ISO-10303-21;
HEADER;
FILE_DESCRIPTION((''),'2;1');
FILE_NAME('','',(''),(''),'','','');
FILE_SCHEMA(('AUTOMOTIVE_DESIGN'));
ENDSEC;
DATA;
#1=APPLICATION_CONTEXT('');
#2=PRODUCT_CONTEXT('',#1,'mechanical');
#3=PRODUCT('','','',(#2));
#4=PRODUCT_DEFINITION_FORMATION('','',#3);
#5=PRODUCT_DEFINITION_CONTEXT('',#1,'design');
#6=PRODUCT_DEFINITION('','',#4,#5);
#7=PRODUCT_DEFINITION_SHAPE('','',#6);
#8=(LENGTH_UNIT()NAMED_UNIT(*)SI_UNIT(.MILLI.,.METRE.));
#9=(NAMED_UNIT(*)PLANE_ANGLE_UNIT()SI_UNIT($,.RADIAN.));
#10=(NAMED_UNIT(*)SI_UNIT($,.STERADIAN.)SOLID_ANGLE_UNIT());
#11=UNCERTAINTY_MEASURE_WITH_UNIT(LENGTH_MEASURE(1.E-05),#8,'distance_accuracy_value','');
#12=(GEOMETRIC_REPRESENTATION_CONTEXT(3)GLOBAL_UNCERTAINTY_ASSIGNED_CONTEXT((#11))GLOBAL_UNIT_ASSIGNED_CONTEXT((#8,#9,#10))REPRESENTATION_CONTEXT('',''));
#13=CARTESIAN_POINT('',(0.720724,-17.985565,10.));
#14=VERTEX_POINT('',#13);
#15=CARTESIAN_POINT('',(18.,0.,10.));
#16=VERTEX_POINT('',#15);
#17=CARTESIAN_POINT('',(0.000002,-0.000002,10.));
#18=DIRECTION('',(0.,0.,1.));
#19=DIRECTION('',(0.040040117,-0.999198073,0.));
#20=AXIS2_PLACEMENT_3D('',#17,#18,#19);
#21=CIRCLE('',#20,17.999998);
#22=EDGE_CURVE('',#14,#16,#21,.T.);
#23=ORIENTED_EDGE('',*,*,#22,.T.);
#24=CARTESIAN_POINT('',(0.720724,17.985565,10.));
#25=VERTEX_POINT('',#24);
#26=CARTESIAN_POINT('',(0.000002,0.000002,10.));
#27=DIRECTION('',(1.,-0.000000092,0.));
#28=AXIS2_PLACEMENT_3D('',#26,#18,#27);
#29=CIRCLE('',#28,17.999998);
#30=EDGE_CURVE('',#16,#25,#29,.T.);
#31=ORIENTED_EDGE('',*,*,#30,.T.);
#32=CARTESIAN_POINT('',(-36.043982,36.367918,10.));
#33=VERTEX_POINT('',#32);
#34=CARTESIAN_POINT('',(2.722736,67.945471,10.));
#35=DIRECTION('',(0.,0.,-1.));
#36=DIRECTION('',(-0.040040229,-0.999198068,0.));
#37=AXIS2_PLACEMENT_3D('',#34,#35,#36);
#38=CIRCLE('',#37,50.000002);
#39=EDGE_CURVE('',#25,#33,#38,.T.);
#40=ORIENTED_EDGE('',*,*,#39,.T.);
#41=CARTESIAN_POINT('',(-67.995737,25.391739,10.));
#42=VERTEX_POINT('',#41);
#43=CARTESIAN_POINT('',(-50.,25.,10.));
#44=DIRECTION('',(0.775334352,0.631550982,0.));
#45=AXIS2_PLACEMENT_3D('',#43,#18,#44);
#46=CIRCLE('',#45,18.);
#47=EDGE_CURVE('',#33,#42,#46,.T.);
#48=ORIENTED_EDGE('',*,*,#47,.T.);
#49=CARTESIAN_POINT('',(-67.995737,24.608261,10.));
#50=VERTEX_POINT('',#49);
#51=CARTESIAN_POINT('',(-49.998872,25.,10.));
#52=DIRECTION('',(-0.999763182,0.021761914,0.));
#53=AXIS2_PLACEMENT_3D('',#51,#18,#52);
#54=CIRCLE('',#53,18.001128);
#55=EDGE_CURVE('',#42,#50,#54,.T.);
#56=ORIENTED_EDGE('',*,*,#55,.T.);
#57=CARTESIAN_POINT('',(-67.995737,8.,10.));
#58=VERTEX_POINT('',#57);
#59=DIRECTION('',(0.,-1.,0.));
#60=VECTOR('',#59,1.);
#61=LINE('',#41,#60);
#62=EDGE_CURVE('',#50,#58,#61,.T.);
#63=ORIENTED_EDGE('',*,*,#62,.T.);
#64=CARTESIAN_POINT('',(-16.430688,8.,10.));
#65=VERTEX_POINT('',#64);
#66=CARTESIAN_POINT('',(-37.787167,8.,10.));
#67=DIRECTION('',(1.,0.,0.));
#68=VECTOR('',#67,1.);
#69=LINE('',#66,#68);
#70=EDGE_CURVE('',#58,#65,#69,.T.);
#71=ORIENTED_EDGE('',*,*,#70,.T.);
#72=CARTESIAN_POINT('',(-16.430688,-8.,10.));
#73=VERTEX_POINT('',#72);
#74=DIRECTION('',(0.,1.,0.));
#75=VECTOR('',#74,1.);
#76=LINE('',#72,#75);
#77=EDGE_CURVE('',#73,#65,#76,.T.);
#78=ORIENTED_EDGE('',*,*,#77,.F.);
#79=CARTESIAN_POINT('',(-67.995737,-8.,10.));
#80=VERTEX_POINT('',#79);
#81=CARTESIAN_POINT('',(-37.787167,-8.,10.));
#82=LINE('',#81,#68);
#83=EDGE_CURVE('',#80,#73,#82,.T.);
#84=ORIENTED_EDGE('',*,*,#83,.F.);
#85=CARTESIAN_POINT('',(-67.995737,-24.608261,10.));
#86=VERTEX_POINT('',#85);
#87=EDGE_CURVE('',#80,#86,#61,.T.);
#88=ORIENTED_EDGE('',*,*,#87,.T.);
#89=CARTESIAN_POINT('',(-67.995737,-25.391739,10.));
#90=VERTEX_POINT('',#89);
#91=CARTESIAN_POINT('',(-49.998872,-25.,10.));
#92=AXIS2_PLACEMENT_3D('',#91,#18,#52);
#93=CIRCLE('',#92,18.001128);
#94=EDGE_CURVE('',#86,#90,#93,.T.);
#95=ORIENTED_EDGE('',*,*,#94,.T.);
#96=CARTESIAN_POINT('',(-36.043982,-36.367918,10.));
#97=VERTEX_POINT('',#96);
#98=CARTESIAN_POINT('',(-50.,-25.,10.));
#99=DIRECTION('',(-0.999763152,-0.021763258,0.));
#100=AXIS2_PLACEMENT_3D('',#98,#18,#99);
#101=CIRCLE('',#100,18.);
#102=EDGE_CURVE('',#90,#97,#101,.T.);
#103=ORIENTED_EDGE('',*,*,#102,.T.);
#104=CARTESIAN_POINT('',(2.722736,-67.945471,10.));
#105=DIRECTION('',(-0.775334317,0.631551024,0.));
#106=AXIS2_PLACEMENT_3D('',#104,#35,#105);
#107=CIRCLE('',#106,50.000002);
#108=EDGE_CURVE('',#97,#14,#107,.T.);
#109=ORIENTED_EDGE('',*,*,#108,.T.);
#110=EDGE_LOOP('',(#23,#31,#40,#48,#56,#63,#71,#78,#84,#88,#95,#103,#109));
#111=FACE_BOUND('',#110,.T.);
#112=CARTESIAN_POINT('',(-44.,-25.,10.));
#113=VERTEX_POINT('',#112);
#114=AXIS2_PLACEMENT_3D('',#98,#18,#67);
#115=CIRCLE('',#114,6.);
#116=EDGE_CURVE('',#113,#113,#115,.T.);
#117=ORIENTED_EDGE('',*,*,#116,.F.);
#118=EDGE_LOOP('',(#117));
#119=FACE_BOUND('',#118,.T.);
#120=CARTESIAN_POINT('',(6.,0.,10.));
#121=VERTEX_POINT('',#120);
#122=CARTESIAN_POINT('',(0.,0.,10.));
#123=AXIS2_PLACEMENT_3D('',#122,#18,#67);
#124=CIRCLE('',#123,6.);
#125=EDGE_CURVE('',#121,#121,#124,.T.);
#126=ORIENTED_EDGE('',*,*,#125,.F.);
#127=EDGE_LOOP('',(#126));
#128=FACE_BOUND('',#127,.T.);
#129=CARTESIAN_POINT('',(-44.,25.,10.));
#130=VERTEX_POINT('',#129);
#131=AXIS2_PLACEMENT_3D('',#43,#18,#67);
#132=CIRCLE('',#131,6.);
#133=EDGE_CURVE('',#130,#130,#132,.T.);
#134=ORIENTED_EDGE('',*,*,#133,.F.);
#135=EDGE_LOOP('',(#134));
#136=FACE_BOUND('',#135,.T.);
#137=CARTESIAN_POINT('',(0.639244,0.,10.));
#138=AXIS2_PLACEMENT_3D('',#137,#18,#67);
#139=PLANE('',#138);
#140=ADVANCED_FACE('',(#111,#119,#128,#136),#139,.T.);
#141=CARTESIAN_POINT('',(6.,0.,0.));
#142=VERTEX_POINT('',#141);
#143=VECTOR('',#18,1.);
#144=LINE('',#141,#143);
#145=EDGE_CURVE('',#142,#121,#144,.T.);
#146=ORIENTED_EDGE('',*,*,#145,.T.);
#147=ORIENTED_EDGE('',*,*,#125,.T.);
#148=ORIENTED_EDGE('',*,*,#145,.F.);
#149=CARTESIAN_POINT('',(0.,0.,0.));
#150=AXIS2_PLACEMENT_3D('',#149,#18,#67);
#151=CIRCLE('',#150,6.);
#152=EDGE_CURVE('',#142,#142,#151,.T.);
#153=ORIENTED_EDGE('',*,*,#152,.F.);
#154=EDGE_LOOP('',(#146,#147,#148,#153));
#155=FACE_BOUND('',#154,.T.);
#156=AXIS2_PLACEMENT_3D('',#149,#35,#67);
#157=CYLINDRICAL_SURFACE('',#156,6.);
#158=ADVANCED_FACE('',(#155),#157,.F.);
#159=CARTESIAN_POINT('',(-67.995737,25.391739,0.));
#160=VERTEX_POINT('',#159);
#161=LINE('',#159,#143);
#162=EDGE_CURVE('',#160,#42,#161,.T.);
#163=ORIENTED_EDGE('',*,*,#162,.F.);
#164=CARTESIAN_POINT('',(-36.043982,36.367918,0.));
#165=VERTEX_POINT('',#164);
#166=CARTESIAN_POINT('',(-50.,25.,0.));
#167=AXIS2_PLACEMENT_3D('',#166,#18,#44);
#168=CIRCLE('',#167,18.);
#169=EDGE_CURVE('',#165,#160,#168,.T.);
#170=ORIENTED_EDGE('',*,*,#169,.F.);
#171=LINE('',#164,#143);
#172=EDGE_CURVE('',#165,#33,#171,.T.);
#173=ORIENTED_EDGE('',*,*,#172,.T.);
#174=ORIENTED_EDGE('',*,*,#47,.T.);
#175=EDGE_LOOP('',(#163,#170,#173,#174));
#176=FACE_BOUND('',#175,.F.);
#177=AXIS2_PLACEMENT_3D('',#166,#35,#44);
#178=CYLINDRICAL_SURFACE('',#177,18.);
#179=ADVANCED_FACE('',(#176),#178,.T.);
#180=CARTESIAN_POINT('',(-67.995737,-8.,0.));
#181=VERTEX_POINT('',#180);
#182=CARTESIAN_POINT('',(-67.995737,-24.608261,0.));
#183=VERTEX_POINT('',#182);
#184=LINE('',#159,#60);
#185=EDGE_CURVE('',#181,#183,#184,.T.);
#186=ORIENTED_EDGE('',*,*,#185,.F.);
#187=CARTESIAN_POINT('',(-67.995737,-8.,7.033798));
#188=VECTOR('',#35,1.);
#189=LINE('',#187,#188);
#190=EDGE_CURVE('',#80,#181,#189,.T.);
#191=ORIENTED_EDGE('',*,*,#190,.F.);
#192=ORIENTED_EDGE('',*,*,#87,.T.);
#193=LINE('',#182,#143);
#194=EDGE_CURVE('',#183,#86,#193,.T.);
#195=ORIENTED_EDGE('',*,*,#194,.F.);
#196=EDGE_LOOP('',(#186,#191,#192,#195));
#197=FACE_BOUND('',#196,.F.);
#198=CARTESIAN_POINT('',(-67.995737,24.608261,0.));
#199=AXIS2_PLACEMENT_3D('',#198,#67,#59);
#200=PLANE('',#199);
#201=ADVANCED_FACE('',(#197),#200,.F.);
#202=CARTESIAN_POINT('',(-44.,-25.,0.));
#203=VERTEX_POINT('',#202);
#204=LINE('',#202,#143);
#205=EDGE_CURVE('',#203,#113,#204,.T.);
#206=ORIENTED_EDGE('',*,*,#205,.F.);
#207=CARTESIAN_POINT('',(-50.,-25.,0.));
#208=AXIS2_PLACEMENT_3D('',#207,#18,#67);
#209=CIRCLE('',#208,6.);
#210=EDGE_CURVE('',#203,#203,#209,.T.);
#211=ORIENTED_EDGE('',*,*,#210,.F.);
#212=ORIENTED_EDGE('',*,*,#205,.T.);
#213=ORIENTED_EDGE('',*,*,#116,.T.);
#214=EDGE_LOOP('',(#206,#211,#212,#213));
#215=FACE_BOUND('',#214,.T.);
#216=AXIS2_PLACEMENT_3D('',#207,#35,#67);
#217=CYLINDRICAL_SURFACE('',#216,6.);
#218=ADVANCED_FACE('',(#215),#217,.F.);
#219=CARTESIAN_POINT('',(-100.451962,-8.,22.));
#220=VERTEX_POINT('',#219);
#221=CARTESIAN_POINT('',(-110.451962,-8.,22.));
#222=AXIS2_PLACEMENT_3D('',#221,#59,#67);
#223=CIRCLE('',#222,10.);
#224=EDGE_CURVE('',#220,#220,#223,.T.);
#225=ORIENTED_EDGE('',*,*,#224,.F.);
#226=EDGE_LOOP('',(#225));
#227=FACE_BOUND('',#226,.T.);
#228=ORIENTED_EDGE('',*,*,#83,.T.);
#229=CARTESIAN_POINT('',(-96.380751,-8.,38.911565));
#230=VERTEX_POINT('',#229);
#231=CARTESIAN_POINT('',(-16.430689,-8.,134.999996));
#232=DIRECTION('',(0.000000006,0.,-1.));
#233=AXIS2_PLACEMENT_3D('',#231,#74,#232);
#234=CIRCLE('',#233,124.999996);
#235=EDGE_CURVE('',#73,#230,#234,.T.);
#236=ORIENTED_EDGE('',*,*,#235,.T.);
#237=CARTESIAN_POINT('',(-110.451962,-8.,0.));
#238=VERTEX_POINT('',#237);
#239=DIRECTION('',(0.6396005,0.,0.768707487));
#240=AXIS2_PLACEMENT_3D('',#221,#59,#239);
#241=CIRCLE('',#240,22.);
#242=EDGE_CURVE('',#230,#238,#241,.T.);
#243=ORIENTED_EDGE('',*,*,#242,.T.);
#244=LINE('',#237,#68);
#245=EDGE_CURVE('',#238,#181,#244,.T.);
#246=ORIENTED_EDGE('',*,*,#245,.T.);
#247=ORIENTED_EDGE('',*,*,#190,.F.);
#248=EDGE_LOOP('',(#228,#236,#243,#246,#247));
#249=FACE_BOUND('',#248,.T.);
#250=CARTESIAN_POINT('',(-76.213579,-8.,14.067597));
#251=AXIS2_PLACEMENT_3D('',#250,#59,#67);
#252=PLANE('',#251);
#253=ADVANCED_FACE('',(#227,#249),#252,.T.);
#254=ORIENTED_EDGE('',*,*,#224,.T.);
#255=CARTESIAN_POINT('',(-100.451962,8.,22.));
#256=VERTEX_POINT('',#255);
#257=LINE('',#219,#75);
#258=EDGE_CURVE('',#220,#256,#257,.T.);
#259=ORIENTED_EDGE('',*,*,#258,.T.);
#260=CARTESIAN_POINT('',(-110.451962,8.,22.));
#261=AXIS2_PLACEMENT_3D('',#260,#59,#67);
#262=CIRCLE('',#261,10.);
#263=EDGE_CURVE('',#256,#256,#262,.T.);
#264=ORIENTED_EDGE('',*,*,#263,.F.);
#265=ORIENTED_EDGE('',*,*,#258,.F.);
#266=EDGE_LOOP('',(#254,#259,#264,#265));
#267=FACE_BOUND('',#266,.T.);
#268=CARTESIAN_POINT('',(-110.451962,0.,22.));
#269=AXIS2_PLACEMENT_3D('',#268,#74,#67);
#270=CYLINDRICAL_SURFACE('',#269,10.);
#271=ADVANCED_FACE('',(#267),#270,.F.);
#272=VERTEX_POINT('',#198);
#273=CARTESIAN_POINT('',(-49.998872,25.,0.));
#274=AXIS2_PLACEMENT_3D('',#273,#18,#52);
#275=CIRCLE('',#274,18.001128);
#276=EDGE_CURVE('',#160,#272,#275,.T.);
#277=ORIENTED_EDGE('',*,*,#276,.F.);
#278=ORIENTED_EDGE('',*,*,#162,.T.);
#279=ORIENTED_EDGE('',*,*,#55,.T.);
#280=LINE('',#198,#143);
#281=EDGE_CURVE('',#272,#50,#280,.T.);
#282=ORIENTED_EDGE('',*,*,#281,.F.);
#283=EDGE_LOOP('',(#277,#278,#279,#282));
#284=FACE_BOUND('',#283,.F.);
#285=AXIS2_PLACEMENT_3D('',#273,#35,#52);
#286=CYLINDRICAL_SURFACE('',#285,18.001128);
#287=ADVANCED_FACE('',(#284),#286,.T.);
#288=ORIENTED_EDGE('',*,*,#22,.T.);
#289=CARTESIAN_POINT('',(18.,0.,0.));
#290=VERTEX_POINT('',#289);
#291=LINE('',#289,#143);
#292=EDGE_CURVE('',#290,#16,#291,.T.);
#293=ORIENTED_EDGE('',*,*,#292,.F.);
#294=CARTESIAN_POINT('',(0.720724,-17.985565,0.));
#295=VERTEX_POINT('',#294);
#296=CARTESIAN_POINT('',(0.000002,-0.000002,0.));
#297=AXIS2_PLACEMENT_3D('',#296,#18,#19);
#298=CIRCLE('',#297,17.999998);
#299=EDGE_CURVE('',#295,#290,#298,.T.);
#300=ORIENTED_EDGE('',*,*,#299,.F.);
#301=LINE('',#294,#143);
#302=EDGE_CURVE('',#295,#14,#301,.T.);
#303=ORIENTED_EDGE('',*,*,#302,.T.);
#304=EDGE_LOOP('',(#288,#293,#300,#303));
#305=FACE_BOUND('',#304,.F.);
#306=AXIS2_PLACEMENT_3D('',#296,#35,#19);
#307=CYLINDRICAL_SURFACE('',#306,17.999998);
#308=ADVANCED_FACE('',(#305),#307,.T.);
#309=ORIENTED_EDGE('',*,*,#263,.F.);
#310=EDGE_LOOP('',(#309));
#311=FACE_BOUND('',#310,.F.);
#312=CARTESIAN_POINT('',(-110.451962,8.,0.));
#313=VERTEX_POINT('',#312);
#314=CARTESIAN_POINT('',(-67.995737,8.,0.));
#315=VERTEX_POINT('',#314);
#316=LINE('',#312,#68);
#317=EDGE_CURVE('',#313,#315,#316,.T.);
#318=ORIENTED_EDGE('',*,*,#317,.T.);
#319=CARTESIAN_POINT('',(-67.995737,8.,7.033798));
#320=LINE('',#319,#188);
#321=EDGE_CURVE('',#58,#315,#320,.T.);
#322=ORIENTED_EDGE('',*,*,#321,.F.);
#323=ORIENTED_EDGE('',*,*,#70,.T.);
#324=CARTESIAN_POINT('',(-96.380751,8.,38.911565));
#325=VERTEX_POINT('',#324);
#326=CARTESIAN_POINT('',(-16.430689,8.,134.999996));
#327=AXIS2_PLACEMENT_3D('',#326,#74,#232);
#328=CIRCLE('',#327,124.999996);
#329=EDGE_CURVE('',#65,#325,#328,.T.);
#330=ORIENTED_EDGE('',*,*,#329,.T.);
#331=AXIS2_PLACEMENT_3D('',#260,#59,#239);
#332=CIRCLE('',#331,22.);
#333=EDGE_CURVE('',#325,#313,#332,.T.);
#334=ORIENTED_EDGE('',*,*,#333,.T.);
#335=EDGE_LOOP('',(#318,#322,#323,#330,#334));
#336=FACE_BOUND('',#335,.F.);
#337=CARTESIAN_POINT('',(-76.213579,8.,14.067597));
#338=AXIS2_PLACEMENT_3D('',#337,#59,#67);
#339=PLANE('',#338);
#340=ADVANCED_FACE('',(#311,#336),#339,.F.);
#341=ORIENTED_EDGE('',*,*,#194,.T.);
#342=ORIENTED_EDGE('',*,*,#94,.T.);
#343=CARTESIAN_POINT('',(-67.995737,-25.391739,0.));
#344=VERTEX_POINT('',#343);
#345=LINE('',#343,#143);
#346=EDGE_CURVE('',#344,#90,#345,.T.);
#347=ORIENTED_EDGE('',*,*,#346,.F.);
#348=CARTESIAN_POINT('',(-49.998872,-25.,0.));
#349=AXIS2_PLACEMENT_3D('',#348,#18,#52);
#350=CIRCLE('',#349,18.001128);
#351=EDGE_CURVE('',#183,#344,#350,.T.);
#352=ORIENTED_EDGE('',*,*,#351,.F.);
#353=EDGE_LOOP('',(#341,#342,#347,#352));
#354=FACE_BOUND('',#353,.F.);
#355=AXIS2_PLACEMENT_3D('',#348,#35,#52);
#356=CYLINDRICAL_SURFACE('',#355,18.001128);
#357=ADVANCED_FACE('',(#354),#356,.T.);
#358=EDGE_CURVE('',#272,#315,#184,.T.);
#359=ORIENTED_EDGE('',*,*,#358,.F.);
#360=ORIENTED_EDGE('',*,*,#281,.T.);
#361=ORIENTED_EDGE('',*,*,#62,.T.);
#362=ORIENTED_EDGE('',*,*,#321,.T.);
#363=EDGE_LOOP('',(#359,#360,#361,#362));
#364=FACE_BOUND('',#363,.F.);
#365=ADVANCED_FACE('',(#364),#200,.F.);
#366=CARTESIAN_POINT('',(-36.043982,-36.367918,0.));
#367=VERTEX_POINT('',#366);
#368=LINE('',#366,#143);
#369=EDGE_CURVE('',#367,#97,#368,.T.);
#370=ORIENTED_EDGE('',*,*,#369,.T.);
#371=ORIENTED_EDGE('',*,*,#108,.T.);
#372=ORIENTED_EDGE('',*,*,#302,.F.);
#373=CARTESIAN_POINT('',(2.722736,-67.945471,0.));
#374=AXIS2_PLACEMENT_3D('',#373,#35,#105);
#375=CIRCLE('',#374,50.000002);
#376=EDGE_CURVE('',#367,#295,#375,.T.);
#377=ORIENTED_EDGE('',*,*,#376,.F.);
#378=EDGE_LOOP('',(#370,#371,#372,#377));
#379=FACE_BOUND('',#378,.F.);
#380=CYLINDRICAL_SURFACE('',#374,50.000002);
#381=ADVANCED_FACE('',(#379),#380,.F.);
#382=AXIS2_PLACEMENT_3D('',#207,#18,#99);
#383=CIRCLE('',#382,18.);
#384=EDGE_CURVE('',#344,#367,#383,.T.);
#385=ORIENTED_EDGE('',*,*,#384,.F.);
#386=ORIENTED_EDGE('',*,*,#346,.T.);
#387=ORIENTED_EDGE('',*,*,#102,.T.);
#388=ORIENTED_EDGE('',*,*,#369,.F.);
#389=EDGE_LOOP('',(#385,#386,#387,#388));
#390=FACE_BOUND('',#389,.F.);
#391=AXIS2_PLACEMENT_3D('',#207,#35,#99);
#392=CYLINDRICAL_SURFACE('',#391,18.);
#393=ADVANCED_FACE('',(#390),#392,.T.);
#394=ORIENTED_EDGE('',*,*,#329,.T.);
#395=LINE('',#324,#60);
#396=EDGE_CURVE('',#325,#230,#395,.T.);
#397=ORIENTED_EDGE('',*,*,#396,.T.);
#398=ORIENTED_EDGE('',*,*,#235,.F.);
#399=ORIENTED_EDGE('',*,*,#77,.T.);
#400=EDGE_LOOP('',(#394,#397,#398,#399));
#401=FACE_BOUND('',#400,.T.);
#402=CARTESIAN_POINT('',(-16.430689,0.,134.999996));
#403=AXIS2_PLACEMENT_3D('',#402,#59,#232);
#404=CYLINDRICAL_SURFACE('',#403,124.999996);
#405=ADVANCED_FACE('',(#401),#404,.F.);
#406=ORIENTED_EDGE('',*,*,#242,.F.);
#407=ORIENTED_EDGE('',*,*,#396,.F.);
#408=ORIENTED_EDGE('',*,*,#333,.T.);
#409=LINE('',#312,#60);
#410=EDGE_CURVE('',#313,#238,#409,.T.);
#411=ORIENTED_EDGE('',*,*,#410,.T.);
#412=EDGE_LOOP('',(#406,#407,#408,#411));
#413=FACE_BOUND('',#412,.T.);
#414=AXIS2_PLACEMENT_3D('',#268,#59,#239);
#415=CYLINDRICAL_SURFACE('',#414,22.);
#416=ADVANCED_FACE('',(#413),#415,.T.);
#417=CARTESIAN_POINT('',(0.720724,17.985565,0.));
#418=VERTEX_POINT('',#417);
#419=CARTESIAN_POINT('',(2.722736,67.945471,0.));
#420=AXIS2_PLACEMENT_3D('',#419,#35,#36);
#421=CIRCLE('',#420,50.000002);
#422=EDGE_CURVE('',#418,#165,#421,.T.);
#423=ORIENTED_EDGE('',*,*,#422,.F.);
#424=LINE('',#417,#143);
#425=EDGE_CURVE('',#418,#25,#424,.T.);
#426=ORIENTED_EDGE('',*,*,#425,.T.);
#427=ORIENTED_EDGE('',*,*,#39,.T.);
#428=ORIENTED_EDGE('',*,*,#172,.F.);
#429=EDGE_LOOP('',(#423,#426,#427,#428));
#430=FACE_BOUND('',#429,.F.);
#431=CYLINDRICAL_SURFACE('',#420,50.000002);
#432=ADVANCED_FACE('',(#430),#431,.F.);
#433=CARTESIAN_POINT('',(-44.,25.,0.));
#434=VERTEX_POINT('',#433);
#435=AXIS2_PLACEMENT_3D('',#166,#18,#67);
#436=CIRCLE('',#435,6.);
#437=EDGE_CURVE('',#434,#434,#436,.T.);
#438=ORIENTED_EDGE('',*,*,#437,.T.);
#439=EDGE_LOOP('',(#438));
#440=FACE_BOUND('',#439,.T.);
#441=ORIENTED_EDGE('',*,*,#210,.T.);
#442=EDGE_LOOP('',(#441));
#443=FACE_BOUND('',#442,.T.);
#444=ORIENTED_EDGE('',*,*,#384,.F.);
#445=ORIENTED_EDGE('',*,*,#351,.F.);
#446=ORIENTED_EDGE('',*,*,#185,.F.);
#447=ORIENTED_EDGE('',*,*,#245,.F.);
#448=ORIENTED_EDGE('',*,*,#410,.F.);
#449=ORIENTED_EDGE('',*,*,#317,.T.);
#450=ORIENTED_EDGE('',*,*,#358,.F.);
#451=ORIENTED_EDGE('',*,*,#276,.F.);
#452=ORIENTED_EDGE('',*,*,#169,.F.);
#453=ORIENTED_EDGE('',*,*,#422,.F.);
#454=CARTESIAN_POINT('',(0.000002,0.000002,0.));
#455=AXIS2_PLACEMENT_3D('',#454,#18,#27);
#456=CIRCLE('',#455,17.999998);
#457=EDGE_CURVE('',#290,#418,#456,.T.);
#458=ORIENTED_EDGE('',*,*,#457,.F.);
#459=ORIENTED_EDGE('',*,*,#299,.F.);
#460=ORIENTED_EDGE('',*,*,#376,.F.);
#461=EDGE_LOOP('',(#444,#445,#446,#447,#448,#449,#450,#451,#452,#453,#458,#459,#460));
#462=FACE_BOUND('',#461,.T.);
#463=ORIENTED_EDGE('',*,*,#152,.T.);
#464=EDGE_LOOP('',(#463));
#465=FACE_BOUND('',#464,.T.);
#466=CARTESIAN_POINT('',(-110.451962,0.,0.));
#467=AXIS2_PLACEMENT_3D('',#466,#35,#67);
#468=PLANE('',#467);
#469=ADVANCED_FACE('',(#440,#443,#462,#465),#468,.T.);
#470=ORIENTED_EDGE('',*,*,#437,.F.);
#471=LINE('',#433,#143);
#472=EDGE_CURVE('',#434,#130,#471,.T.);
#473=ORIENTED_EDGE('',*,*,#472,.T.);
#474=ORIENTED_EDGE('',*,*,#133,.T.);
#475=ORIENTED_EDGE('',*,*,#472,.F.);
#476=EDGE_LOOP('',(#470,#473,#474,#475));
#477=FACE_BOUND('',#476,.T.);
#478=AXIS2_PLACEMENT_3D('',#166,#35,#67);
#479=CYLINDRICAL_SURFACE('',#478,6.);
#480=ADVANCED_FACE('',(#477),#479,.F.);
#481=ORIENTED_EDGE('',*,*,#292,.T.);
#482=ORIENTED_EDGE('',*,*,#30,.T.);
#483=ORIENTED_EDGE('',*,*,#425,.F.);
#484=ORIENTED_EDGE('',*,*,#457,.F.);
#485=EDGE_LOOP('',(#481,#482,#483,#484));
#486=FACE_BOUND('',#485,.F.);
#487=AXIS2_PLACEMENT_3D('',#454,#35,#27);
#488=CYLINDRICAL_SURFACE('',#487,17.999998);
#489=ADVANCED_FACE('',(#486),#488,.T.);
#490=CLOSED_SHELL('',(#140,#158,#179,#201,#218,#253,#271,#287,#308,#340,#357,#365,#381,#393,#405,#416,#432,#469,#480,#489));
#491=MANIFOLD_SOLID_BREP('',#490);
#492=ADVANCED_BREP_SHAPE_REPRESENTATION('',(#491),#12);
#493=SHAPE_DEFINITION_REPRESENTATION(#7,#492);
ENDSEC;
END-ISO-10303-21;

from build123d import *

# Parameters (mm, degrees)
F0_R     = 6
F1_DEPTH = 10
F2_R     = 10
F3_DEPTH = 8


with BuildPart() as f1:
    # F0 (on Top) → F1 (new body)
    with BuildSketch(Plane.XY):
        with BuildLine():
            ThreePointArc((0.720724, -17.985565), (12.980236, -12.470505), (18, 0))
            ThreePointArc((18, 0), (12.980236, 12.470505), (0.720724, 17.985565))
            ThreePointArc((0.720724, 17.985565), (-18, 0), (0.720724, -17.985565))
        make_face()
        Circle(F0_R, mode=Mode.SUBTRACT)
        with BuildLine():
            ThreePointArc((0.720724, -17.985565), (-18, 0), (0.720724, 17.985565))
            ThreePointArc((0.720724, 17.985565), (-19.637945, 23.224109), (-36.043982, 36.367918))
            ThreePointArc((-36.043982, 36.367918), (-33.041104, 31.032896), (-32, 25))
            ThreePointArc((-32, 25), (-49.804119, 7.001066), (-67.995737, 24.608261))
            Line((-67.995737, 24.608261), (-67.995737, -24.608261))
            ThreePointArc((-67.995737, -24.608261), (-49.804119, -7.001066), (-32, -25))
            ThreePointArc((-32, -25), (-33.041104, -31.032896), (-36.043982, -36.367918))
            ThreePointArc((-36.043982, -36.367918), (-19.637945, -23.224109), (0.720724, -17.985565))
        make_face()
        with BuildLine():
            ThreePointArc((-32, 25), (-33.041104, 31.032896), (-36.043982, 36.367918))
            ThreePointArc((-36.043982, 36.367918), (-55.847988, 42.023544), (-67.995737, 25.391739))
            Line((-67.995737, 25.391739), (-67.995737, 24.608261))
            ThreePointArc((-67.995737, 24.608261), (-49.804119, 7.001066), (-32, 25))
        make_face()
        with Locations((-50, 25)):
            Circle(F0_R, mode=Mode.SUBTRACT)
        with BuildLine():
            ThreePointArc((-67.995737, -25.391739), (-55.847988, -42.023544), (-36.043982, -36.367918))
            ThreePointArc((-36.043982, -36.367918), (-33.041104, -31.032896), (-32, -25))
            ThreePointArc((-32, -25), (-49.804119, -7.001066), (-67.995737, -24.608261))
            Line((-67.995737, -24.608261), (-67.995737, -25.391739))
        make_face()
        with Locations((-50, -25)):
            Circle(F0_R, mode=Mode.SUBTRACT)
        with BuildLine():
            Line((-67.995737, 24.608261), (-67.995737, 25.391739))
            ThreePointArc((-67.995737, 25.391739), (-68, 25), (-67.995737, 24.608261))
        make_face()
        with BuildLine():
            ThreePointArc((-67.995737, -24.608261), (-68, -25), (-67.995737, -25.391739))
            Line((-67.995737, -25.391739), (-67.995737, -24.608261))
        make_face()
    extrude(amount=F1_DEPTH)

    # F2 (on Front) → F3 (join, symmetric)
    with BuildSketch(Plane.XZ):
        with BuildLine():
            ThreePointArc((-16.430688, 10), (-58.939191, 17.449895), (-96.380751, 38.911565))
            ThreePointArc((-96.380751, 38.911565), (-131.140781, 29.481496), (-110.451962, 0))
            Line((-110.451962, 0), (-16.430688, 0))
            Line((-16.430688, 0), (-16.430688, 10))
        make_face()
        with Locations((-110.451962, 22)):
            Circle(F2_R, mode=Mode.SUBTRACT)
    extrude(amount=F3_DEPTH, both=True)


solid = f1.part
